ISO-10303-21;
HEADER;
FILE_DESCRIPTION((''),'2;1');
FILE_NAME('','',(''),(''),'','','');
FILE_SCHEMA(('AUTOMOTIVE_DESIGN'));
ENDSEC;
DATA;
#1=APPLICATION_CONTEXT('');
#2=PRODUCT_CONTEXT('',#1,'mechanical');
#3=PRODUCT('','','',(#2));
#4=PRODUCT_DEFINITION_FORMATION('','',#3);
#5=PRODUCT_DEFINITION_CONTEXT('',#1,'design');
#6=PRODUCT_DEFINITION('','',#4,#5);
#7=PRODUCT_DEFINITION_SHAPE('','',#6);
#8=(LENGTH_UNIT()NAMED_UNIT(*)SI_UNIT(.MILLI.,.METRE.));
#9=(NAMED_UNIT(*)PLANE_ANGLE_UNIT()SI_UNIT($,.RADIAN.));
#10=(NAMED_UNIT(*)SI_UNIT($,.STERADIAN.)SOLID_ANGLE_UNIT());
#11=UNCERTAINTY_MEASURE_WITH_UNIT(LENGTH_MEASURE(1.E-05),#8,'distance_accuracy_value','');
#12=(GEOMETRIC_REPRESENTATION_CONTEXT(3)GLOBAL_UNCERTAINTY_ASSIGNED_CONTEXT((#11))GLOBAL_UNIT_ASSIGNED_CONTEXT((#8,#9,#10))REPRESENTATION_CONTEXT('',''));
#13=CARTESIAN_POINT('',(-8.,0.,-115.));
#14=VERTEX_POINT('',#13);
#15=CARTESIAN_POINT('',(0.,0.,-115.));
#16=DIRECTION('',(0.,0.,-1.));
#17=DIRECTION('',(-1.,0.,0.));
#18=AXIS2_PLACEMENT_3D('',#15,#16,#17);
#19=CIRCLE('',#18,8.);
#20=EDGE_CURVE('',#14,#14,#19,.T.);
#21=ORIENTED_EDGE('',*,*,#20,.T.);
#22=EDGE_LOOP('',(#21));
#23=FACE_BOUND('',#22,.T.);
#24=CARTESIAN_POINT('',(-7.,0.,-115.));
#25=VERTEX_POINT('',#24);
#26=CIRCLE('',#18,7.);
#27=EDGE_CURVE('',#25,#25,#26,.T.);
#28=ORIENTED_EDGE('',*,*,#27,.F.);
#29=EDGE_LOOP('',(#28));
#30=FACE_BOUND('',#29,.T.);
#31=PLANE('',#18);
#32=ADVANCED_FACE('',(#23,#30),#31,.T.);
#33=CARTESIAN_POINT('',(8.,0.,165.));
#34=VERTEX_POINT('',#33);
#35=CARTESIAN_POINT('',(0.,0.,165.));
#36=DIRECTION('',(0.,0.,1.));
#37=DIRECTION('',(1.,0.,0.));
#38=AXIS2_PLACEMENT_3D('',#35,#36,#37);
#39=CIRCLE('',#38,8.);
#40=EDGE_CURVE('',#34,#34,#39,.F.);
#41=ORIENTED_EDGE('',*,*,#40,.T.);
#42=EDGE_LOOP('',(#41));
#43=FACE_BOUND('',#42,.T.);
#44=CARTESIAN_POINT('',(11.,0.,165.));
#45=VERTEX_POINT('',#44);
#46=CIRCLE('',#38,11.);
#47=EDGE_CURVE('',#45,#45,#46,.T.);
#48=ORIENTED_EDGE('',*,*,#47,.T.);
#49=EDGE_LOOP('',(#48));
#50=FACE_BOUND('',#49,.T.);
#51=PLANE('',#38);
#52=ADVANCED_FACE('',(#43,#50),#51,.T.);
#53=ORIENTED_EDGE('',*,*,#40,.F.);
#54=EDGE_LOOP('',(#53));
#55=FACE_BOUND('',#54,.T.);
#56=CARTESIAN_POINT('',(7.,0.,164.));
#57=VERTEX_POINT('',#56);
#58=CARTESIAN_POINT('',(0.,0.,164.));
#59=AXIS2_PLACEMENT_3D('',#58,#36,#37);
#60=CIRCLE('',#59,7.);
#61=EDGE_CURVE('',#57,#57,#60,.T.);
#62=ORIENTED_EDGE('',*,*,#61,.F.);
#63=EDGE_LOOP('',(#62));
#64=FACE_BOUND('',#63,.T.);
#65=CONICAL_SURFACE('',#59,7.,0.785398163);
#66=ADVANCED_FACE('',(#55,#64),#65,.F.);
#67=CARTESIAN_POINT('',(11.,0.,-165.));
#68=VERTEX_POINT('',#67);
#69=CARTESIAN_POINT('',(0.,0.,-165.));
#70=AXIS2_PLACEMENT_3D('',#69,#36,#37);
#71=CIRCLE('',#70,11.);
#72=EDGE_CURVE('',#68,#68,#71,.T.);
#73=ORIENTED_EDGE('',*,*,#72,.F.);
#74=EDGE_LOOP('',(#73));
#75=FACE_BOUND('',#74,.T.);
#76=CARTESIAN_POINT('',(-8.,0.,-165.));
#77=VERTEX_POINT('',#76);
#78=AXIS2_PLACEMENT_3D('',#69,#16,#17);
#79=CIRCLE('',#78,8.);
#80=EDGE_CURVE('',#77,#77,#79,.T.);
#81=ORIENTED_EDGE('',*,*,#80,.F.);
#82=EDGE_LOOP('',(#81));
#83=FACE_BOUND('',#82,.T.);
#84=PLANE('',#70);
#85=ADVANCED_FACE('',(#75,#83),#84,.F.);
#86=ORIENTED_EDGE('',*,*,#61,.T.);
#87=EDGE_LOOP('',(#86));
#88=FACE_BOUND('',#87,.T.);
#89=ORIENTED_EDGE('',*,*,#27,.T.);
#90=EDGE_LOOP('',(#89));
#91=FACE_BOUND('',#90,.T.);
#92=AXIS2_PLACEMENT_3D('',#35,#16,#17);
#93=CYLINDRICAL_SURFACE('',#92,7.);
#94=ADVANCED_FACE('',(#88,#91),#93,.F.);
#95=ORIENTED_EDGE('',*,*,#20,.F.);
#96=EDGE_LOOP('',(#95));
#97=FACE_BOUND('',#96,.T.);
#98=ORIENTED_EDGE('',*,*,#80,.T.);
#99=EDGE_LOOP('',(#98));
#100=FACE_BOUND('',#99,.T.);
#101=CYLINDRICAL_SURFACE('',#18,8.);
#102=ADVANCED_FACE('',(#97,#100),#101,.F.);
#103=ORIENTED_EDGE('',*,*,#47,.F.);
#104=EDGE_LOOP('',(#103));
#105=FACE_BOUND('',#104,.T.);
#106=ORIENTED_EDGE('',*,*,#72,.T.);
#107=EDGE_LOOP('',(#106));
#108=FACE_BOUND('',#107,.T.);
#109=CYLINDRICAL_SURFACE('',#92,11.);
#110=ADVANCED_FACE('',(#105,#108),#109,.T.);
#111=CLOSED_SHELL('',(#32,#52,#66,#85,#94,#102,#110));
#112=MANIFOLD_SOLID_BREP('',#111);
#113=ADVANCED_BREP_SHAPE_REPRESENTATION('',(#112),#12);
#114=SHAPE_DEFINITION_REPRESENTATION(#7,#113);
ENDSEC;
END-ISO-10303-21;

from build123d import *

# Parameters (mm, degrees)
SZKIC1_R                    = 11
SZKIC1_R_2                  = 7
DODANIE_WYCI_GNI_CIE1_DEPTH = 165
SZKIC2_R                    = 8
WYTNIJ_WYCI_GNI_CIE1_DEPTH  = 50
SFAZOWANIE1_SIZE            = 1


with BuildPart() as part:
    # Szkic1 → Dodanie-wyciągnięcie1 (new, symmetric)
    with BuildSketch(Plane.XY):
        Circle(SZKIC1_R)
        Circle(SZKIC1_R_2, mode=Mode.SUBTRACT)
    extrude(amount=DODANIE_WYCI_GNI_CIE1_DEPTH, both=True)

    # Szkic2 → Wytnij-wyciągnięcie1 (cut)
    with BuildSketch(Plane(origin=(0, 0, -165), x_dir=(-1, 0, 0), z_dir=(0, 0, -1))):
        Circle(SZKIC2_R)
    extrude(amount=-WYTNIJ_WYCI_GNI_CIE1_DEPTH, mode=Mode.SUBTRACT)

    # Sfazowanie1
    sfazowanie1_edges = [part.edges().sort_by_distance(p)[0] for p in [
        (-7, 0, 165),
    ]]
    chamfer(sfazowanie1_edges, length=SFAZOWANIE1_SIZE)


solid = part.part
